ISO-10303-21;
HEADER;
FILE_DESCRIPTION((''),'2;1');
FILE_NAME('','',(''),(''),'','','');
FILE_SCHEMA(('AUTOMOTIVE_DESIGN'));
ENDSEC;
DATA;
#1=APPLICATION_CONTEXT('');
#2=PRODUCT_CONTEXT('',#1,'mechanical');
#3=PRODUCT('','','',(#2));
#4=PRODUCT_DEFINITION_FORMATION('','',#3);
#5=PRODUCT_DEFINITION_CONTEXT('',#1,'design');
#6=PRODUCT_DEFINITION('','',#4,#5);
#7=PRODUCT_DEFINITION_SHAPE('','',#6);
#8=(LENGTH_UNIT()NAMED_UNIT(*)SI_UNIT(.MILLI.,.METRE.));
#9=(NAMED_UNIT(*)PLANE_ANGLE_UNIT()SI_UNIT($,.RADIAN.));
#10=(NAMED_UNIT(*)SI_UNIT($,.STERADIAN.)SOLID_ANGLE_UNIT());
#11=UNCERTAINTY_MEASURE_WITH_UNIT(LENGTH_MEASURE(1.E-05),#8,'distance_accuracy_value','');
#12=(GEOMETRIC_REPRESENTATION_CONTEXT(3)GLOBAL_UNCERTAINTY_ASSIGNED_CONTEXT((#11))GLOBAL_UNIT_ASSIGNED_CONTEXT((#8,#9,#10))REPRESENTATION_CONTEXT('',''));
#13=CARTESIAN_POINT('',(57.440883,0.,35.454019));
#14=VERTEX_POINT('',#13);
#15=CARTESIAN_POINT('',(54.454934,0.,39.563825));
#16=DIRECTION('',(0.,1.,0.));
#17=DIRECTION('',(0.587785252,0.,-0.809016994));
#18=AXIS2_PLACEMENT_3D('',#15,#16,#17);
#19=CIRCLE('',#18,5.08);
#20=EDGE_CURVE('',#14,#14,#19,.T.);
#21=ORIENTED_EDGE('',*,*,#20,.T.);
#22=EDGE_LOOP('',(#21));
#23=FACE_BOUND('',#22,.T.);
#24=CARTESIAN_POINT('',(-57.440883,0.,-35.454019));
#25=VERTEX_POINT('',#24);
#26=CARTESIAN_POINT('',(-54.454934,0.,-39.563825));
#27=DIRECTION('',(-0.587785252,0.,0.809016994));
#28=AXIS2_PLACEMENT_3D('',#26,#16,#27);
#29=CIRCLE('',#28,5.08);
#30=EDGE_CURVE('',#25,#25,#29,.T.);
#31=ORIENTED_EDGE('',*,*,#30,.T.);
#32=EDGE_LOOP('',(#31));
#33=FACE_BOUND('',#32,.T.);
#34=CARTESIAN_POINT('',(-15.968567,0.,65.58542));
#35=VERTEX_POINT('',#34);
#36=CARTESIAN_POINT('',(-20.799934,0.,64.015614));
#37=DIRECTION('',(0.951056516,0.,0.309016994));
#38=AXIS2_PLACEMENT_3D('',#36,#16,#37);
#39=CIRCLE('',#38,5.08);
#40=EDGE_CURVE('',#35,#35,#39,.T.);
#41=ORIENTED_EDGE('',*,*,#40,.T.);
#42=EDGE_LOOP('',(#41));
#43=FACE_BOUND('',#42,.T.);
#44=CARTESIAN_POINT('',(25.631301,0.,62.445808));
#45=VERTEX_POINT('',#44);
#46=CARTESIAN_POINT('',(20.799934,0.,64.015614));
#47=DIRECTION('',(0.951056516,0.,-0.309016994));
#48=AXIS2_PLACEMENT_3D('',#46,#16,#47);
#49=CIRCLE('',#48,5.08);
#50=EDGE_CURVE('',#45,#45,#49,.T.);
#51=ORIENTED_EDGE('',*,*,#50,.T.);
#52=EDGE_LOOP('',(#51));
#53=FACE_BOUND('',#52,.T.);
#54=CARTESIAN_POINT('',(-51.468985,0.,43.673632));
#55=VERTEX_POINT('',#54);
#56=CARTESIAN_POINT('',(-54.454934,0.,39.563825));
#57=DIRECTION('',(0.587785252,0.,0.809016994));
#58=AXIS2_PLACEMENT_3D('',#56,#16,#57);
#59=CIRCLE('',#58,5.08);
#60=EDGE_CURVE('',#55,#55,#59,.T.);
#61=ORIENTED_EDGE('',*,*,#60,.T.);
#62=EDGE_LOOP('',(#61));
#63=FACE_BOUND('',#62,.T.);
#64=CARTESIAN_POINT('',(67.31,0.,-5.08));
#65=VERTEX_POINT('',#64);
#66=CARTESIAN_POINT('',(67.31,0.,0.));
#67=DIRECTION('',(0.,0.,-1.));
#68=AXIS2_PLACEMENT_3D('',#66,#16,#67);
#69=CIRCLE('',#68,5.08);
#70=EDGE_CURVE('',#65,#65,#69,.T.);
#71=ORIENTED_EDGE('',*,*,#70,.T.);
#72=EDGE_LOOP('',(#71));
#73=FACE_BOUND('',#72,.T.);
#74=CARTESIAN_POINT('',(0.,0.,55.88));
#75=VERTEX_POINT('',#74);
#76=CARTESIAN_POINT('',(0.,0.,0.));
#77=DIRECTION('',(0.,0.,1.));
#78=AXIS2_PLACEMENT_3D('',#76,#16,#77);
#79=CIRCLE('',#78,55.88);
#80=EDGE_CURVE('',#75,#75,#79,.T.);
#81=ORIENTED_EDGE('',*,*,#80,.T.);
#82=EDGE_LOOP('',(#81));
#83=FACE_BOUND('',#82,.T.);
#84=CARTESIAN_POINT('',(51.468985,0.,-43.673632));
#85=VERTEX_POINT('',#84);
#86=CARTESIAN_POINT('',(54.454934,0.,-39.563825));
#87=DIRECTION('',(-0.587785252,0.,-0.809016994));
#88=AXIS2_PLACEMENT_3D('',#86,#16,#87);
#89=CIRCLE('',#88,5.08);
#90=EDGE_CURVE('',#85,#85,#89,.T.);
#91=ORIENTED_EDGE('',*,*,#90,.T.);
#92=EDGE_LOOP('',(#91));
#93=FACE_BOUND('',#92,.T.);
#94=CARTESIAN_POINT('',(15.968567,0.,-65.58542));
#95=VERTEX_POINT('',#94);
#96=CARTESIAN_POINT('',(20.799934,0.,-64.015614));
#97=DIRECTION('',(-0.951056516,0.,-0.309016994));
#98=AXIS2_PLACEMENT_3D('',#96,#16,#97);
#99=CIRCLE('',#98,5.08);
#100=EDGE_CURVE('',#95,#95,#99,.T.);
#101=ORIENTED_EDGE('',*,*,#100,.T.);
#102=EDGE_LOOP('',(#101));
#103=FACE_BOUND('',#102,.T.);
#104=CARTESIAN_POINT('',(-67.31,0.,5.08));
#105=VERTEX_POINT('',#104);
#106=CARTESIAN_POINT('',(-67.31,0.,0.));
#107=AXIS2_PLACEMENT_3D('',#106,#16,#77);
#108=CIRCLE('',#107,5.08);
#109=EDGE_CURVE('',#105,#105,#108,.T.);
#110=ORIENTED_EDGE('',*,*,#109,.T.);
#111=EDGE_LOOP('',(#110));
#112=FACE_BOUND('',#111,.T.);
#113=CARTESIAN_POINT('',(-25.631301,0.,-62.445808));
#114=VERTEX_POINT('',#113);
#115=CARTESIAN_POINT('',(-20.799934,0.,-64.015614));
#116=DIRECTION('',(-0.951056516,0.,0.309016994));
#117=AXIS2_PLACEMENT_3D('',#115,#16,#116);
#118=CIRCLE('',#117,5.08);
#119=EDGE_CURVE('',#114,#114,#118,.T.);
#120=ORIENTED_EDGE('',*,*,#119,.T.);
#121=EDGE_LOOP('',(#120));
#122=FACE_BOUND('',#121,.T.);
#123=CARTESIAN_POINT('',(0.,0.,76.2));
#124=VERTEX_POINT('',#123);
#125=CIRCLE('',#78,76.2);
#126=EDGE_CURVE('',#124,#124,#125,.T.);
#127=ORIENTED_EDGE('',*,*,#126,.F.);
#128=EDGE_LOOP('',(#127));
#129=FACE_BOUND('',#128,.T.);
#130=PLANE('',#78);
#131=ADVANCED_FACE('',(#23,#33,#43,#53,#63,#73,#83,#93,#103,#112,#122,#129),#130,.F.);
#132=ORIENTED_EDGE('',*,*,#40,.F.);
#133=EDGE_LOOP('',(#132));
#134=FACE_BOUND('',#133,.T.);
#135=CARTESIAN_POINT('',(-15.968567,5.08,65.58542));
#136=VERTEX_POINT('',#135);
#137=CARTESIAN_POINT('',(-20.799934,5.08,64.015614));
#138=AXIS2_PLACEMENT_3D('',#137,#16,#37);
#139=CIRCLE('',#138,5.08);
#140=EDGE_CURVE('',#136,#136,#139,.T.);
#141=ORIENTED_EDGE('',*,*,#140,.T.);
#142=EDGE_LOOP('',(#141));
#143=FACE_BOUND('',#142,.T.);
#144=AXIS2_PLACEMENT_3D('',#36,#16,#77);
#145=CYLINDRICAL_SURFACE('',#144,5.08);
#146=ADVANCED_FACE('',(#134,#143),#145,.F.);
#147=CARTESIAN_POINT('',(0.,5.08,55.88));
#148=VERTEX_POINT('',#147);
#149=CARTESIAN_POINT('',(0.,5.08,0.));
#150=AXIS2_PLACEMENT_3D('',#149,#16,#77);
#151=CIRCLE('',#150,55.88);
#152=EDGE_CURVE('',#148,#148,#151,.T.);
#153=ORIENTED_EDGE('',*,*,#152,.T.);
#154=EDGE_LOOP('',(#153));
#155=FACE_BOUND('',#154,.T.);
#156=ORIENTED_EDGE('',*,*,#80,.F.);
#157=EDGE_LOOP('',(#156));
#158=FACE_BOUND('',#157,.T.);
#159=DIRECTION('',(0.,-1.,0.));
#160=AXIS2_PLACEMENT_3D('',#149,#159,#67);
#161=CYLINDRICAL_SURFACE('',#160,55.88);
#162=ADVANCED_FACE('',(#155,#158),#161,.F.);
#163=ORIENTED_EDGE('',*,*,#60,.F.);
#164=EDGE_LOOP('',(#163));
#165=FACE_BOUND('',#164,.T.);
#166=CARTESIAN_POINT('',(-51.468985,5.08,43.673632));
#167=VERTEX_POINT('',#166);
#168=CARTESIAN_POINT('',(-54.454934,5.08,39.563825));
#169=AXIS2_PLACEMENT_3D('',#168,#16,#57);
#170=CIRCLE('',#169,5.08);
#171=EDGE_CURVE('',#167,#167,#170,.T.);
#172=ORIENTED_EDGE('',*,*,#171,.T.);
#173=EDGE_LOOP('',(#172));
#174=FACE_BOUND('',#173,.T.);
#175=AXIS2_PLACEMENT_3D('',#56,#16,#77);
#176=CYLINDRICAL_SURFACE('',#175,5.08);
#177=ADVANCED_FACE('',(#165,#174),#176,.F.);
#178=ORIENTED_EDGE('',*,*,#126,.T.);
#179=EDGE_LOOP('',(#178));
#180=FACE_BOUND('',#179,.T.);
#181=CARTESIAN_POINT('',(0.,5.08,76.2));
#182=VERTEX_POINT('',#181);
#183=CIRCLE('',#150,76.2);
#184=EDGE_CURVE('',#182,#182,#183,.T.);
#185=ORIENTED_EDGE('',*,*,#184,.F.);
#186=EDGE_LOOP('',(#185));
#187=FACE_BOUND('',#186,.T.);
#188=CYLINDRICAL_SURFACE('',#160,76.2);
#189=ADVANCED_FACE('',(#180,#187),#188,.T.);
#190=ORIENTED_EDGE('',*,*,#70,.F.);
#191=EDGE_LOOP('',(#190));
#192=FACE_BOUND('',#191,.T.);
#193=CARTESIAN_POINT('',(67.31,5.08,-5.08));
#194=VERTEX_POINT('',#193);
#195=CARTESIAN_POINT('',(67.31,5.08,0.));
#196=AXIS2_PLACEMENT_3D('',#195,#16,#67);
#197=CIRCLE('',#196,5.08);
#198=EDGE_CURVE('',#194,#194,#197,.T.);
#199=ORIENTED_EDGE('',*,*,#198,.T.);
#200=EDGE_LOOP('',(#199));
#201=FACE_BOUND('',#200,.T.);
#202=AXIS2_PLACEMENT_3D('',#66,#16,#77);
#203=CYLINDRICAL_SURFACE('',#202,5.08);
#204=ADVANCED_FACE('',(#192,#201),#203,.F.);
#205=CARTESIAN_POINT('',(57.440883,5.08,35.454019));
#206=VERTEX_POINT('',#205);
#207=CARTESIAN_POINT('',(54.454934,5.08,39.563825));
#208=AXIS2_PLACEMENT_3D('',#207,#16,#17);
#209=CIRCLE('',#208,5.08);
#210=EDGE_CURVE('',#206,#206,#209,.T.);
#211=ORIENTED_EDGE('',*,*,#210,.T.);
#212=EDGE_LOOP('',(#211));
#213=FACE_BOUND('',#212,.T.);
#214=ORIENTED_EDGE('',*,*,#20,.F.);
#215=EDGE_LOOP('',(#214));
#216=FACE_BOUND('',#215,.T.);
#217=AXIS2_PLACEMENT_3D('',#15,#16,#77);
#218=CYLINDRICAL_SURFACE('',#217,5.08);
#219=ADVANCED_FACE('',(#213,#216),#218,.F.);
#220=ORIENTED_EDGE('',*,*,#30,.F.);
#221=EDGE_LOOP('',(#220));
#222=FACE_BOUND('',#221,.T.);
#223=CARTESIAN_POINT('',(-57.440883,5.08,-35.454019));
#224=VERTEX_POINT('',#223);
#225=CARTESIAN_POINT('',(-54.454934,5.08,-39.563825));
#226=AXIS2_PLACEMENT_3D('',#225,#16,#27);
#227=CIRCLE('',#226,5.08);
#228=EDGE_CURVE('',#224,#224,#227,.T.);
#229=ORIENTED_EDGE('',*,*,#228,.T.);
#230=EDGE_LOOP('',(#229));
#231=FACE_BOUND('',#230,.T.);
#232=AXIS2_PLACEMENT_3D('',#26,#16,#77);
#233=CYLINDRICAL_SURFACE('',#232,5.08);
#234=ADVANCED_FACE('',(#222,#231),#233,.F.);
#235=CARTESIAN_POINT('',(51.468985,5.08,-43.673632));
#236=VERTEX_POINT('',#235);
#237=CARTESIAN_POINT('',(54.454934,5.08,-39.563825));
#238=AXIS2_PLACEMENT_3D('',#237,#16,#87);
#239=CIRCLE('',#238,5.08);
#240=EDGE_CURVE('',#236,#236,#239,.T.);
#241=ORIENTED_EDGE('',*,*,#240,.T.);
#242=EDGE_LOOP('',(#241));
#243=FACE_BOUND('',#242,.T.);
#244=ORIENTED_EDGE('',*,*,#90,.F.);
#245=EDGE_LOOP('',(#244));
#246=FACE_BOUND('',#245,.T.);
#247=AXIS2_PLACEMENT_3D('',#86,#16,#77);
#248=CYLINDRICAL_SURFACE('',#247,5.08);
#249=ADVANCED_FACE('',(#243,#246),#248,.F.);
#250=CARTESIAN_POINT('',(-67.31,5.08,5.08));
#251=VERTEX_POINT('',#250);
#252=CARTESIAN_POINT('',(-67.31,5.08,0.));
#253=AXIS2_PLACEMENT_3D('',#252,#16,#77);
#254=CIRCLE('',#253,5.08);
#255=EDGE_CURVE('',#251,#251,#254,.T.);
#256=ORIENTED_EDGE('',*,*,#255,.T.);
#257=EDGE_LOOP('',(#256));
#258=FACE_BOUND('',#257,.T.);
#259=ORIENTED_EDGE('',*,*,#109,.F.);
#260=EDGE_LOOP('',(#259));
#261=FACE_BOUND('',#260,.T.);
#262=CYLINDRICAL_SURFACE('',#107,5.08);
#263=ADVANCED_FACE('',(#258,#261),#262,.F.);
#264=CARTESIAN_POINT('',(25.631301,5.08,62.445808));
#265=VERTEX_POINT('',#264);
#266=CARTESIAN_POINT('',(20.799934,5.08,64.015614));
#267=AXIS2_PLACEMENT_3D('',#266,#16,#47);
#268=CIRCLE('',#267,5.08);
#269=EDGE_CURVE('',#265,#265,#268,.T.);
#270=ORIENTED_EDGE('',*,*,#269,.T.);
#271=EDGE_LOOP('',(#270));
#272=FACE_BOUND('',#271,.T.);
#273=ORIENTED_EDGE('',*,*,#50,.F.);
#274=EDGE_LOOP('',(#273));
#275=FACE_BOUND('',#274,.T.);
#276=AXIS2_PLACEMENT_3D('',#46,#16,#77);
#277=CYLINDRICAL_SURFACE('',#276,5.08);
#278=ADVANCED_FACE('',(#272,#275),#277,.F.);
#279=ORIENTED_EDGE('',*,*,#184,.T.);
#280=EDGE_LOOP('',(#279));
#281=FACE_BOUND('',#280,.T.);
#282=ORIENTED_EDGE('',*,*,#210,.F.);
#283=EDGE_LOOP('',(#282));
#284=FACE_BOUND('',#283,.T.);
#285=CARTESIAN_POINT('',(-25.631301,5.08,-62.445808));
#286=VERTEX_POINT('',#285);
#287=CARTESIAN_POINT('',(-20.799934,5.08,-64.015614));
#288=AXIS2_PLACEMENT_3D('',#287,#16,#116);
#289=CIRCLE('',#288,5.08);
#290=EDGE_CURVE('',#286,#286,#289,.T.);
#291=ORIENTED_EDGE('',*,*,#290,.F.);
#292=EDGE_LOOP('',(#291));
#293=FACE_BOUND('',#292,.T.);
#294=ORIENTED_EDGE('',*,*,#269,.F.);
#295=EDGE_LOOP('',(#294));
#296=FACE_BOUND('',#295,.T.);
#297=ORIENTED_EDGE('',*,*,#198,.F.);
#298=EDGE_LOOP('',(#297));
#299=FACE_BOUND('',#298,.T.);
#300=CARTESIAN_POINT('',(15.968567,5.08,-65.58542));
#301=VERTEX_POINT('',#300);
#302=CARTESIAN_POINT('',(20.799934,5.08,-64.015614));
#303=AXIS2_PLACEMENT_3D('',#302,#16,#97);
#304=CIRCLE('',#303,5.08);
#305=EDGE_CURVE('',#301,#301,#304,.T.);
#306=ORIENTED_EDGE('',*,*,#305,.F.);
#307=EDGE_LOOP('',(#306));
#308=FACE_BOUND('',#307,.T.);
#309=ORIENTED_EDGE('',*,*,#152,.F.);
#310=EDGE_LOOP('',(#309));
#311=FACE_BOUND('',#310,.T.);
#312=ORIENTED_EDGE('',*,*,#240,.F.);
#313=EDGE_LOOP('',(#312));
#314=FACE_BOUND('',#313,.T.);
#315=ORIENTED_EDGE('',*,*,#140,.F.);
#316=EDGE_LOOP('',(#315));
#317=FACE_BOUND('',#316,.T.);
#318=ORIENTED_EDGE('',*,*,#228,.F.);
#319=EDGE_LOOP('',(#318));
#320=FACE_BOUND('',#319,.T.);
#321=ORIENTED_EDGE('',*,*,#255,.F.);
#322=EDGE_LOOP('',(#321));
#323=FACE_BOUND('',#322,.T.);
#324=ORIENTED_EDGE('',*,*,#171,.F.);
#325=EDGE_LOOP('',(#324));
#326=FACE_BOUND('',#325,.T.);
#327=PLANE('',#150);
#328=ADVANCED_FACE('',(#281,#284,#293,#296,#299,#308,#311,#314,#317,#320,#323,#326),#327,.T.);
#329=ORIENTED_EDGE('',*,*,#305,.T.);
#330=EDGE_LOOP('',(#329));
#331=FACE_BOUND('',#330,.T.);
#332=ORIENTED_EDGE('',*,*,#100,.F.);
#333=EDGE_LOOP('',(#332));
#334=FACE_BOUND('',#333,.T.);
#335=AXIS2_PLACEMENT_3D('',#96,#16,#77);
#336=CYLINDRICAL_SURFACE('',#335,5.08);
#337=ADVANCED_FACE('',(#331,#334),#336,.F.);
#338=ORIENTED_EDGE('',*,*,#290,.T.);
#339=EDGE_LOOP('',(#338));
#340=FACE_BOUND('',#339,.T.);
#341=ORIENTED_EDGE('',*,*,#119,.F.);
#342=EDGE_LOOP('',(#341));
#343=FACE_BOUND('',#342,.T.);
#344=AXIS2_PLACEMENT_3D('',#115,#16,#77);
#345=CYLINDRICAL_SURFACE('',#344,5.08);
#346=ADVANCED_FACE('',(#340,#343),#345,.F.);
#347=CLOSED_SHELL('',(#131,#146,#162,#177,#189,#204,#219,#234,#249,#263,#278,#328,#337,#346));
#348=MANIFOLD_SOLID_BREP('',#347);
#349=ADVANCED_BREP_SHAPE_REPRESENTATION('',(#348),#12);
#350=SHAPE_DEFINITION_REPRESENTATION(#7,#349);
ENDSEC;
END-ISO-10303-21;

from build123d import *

# Parameters (mm, degrees)
SKETCH1_R           = 76.2
SKETCH1_R_2         = 55.88
BOSS_EXTRUDE1_DEPTH = 5.08
SKETCH2_R           = 5.08
CUT_EXTRUDE1_DEPTH  = 108.882743755
CIRPATTERN1_COUNT   = 10


with BuildPart() as part:
    # Sketch1 → Boss-Extrude1 (new body)
    with BuildSketch(Plane(origin=(0, 0, 0), x_dir=(1, 0, 0), z_dir=(0, 1, 0))):
        with Locations(Location((0, 0, 0), (0, 0, 270))):
            Circle(SKETCH1_R)
        with Locations(Location((0, 0, 0), (0, 0, 270))):
            Circle(SKETCH1_R_2, mode=Mode.SUBTRACT)
    extrude(amount=BOSS_EXTRUDE1_DEPTH)

    # Sketch2 → Cut-Extrude1 (cut, through all)
    with BuildSketch(Plane(origin=(0, 5.08, 0), x_dir=(1, 0, 0), z_dir=(0, 1, 0))):
        with Locations(Location((-67.31, 0, 0), (0, 0, 270))):
            Circle(SKETCH2_R)
    cut_extrude1 = extrude(amount=-CUT_EXTRUDE1_DEPTH, mode=Mode.SUBTRACT)

    # CirPattern1: Cut-Extrude1 ×10 about axis
    cirpattern1_axis = Axis((0, 0, 0), (0, 1, 0))
    for i in range(1, CIRPATTERN1_COUNT):
        add(cut_extrude1.rotate(cirpattern1_axis, i * 360 / CIRPATTERN1_COUNT), mode=Mode.SUBTRACT)


solid = part.part
